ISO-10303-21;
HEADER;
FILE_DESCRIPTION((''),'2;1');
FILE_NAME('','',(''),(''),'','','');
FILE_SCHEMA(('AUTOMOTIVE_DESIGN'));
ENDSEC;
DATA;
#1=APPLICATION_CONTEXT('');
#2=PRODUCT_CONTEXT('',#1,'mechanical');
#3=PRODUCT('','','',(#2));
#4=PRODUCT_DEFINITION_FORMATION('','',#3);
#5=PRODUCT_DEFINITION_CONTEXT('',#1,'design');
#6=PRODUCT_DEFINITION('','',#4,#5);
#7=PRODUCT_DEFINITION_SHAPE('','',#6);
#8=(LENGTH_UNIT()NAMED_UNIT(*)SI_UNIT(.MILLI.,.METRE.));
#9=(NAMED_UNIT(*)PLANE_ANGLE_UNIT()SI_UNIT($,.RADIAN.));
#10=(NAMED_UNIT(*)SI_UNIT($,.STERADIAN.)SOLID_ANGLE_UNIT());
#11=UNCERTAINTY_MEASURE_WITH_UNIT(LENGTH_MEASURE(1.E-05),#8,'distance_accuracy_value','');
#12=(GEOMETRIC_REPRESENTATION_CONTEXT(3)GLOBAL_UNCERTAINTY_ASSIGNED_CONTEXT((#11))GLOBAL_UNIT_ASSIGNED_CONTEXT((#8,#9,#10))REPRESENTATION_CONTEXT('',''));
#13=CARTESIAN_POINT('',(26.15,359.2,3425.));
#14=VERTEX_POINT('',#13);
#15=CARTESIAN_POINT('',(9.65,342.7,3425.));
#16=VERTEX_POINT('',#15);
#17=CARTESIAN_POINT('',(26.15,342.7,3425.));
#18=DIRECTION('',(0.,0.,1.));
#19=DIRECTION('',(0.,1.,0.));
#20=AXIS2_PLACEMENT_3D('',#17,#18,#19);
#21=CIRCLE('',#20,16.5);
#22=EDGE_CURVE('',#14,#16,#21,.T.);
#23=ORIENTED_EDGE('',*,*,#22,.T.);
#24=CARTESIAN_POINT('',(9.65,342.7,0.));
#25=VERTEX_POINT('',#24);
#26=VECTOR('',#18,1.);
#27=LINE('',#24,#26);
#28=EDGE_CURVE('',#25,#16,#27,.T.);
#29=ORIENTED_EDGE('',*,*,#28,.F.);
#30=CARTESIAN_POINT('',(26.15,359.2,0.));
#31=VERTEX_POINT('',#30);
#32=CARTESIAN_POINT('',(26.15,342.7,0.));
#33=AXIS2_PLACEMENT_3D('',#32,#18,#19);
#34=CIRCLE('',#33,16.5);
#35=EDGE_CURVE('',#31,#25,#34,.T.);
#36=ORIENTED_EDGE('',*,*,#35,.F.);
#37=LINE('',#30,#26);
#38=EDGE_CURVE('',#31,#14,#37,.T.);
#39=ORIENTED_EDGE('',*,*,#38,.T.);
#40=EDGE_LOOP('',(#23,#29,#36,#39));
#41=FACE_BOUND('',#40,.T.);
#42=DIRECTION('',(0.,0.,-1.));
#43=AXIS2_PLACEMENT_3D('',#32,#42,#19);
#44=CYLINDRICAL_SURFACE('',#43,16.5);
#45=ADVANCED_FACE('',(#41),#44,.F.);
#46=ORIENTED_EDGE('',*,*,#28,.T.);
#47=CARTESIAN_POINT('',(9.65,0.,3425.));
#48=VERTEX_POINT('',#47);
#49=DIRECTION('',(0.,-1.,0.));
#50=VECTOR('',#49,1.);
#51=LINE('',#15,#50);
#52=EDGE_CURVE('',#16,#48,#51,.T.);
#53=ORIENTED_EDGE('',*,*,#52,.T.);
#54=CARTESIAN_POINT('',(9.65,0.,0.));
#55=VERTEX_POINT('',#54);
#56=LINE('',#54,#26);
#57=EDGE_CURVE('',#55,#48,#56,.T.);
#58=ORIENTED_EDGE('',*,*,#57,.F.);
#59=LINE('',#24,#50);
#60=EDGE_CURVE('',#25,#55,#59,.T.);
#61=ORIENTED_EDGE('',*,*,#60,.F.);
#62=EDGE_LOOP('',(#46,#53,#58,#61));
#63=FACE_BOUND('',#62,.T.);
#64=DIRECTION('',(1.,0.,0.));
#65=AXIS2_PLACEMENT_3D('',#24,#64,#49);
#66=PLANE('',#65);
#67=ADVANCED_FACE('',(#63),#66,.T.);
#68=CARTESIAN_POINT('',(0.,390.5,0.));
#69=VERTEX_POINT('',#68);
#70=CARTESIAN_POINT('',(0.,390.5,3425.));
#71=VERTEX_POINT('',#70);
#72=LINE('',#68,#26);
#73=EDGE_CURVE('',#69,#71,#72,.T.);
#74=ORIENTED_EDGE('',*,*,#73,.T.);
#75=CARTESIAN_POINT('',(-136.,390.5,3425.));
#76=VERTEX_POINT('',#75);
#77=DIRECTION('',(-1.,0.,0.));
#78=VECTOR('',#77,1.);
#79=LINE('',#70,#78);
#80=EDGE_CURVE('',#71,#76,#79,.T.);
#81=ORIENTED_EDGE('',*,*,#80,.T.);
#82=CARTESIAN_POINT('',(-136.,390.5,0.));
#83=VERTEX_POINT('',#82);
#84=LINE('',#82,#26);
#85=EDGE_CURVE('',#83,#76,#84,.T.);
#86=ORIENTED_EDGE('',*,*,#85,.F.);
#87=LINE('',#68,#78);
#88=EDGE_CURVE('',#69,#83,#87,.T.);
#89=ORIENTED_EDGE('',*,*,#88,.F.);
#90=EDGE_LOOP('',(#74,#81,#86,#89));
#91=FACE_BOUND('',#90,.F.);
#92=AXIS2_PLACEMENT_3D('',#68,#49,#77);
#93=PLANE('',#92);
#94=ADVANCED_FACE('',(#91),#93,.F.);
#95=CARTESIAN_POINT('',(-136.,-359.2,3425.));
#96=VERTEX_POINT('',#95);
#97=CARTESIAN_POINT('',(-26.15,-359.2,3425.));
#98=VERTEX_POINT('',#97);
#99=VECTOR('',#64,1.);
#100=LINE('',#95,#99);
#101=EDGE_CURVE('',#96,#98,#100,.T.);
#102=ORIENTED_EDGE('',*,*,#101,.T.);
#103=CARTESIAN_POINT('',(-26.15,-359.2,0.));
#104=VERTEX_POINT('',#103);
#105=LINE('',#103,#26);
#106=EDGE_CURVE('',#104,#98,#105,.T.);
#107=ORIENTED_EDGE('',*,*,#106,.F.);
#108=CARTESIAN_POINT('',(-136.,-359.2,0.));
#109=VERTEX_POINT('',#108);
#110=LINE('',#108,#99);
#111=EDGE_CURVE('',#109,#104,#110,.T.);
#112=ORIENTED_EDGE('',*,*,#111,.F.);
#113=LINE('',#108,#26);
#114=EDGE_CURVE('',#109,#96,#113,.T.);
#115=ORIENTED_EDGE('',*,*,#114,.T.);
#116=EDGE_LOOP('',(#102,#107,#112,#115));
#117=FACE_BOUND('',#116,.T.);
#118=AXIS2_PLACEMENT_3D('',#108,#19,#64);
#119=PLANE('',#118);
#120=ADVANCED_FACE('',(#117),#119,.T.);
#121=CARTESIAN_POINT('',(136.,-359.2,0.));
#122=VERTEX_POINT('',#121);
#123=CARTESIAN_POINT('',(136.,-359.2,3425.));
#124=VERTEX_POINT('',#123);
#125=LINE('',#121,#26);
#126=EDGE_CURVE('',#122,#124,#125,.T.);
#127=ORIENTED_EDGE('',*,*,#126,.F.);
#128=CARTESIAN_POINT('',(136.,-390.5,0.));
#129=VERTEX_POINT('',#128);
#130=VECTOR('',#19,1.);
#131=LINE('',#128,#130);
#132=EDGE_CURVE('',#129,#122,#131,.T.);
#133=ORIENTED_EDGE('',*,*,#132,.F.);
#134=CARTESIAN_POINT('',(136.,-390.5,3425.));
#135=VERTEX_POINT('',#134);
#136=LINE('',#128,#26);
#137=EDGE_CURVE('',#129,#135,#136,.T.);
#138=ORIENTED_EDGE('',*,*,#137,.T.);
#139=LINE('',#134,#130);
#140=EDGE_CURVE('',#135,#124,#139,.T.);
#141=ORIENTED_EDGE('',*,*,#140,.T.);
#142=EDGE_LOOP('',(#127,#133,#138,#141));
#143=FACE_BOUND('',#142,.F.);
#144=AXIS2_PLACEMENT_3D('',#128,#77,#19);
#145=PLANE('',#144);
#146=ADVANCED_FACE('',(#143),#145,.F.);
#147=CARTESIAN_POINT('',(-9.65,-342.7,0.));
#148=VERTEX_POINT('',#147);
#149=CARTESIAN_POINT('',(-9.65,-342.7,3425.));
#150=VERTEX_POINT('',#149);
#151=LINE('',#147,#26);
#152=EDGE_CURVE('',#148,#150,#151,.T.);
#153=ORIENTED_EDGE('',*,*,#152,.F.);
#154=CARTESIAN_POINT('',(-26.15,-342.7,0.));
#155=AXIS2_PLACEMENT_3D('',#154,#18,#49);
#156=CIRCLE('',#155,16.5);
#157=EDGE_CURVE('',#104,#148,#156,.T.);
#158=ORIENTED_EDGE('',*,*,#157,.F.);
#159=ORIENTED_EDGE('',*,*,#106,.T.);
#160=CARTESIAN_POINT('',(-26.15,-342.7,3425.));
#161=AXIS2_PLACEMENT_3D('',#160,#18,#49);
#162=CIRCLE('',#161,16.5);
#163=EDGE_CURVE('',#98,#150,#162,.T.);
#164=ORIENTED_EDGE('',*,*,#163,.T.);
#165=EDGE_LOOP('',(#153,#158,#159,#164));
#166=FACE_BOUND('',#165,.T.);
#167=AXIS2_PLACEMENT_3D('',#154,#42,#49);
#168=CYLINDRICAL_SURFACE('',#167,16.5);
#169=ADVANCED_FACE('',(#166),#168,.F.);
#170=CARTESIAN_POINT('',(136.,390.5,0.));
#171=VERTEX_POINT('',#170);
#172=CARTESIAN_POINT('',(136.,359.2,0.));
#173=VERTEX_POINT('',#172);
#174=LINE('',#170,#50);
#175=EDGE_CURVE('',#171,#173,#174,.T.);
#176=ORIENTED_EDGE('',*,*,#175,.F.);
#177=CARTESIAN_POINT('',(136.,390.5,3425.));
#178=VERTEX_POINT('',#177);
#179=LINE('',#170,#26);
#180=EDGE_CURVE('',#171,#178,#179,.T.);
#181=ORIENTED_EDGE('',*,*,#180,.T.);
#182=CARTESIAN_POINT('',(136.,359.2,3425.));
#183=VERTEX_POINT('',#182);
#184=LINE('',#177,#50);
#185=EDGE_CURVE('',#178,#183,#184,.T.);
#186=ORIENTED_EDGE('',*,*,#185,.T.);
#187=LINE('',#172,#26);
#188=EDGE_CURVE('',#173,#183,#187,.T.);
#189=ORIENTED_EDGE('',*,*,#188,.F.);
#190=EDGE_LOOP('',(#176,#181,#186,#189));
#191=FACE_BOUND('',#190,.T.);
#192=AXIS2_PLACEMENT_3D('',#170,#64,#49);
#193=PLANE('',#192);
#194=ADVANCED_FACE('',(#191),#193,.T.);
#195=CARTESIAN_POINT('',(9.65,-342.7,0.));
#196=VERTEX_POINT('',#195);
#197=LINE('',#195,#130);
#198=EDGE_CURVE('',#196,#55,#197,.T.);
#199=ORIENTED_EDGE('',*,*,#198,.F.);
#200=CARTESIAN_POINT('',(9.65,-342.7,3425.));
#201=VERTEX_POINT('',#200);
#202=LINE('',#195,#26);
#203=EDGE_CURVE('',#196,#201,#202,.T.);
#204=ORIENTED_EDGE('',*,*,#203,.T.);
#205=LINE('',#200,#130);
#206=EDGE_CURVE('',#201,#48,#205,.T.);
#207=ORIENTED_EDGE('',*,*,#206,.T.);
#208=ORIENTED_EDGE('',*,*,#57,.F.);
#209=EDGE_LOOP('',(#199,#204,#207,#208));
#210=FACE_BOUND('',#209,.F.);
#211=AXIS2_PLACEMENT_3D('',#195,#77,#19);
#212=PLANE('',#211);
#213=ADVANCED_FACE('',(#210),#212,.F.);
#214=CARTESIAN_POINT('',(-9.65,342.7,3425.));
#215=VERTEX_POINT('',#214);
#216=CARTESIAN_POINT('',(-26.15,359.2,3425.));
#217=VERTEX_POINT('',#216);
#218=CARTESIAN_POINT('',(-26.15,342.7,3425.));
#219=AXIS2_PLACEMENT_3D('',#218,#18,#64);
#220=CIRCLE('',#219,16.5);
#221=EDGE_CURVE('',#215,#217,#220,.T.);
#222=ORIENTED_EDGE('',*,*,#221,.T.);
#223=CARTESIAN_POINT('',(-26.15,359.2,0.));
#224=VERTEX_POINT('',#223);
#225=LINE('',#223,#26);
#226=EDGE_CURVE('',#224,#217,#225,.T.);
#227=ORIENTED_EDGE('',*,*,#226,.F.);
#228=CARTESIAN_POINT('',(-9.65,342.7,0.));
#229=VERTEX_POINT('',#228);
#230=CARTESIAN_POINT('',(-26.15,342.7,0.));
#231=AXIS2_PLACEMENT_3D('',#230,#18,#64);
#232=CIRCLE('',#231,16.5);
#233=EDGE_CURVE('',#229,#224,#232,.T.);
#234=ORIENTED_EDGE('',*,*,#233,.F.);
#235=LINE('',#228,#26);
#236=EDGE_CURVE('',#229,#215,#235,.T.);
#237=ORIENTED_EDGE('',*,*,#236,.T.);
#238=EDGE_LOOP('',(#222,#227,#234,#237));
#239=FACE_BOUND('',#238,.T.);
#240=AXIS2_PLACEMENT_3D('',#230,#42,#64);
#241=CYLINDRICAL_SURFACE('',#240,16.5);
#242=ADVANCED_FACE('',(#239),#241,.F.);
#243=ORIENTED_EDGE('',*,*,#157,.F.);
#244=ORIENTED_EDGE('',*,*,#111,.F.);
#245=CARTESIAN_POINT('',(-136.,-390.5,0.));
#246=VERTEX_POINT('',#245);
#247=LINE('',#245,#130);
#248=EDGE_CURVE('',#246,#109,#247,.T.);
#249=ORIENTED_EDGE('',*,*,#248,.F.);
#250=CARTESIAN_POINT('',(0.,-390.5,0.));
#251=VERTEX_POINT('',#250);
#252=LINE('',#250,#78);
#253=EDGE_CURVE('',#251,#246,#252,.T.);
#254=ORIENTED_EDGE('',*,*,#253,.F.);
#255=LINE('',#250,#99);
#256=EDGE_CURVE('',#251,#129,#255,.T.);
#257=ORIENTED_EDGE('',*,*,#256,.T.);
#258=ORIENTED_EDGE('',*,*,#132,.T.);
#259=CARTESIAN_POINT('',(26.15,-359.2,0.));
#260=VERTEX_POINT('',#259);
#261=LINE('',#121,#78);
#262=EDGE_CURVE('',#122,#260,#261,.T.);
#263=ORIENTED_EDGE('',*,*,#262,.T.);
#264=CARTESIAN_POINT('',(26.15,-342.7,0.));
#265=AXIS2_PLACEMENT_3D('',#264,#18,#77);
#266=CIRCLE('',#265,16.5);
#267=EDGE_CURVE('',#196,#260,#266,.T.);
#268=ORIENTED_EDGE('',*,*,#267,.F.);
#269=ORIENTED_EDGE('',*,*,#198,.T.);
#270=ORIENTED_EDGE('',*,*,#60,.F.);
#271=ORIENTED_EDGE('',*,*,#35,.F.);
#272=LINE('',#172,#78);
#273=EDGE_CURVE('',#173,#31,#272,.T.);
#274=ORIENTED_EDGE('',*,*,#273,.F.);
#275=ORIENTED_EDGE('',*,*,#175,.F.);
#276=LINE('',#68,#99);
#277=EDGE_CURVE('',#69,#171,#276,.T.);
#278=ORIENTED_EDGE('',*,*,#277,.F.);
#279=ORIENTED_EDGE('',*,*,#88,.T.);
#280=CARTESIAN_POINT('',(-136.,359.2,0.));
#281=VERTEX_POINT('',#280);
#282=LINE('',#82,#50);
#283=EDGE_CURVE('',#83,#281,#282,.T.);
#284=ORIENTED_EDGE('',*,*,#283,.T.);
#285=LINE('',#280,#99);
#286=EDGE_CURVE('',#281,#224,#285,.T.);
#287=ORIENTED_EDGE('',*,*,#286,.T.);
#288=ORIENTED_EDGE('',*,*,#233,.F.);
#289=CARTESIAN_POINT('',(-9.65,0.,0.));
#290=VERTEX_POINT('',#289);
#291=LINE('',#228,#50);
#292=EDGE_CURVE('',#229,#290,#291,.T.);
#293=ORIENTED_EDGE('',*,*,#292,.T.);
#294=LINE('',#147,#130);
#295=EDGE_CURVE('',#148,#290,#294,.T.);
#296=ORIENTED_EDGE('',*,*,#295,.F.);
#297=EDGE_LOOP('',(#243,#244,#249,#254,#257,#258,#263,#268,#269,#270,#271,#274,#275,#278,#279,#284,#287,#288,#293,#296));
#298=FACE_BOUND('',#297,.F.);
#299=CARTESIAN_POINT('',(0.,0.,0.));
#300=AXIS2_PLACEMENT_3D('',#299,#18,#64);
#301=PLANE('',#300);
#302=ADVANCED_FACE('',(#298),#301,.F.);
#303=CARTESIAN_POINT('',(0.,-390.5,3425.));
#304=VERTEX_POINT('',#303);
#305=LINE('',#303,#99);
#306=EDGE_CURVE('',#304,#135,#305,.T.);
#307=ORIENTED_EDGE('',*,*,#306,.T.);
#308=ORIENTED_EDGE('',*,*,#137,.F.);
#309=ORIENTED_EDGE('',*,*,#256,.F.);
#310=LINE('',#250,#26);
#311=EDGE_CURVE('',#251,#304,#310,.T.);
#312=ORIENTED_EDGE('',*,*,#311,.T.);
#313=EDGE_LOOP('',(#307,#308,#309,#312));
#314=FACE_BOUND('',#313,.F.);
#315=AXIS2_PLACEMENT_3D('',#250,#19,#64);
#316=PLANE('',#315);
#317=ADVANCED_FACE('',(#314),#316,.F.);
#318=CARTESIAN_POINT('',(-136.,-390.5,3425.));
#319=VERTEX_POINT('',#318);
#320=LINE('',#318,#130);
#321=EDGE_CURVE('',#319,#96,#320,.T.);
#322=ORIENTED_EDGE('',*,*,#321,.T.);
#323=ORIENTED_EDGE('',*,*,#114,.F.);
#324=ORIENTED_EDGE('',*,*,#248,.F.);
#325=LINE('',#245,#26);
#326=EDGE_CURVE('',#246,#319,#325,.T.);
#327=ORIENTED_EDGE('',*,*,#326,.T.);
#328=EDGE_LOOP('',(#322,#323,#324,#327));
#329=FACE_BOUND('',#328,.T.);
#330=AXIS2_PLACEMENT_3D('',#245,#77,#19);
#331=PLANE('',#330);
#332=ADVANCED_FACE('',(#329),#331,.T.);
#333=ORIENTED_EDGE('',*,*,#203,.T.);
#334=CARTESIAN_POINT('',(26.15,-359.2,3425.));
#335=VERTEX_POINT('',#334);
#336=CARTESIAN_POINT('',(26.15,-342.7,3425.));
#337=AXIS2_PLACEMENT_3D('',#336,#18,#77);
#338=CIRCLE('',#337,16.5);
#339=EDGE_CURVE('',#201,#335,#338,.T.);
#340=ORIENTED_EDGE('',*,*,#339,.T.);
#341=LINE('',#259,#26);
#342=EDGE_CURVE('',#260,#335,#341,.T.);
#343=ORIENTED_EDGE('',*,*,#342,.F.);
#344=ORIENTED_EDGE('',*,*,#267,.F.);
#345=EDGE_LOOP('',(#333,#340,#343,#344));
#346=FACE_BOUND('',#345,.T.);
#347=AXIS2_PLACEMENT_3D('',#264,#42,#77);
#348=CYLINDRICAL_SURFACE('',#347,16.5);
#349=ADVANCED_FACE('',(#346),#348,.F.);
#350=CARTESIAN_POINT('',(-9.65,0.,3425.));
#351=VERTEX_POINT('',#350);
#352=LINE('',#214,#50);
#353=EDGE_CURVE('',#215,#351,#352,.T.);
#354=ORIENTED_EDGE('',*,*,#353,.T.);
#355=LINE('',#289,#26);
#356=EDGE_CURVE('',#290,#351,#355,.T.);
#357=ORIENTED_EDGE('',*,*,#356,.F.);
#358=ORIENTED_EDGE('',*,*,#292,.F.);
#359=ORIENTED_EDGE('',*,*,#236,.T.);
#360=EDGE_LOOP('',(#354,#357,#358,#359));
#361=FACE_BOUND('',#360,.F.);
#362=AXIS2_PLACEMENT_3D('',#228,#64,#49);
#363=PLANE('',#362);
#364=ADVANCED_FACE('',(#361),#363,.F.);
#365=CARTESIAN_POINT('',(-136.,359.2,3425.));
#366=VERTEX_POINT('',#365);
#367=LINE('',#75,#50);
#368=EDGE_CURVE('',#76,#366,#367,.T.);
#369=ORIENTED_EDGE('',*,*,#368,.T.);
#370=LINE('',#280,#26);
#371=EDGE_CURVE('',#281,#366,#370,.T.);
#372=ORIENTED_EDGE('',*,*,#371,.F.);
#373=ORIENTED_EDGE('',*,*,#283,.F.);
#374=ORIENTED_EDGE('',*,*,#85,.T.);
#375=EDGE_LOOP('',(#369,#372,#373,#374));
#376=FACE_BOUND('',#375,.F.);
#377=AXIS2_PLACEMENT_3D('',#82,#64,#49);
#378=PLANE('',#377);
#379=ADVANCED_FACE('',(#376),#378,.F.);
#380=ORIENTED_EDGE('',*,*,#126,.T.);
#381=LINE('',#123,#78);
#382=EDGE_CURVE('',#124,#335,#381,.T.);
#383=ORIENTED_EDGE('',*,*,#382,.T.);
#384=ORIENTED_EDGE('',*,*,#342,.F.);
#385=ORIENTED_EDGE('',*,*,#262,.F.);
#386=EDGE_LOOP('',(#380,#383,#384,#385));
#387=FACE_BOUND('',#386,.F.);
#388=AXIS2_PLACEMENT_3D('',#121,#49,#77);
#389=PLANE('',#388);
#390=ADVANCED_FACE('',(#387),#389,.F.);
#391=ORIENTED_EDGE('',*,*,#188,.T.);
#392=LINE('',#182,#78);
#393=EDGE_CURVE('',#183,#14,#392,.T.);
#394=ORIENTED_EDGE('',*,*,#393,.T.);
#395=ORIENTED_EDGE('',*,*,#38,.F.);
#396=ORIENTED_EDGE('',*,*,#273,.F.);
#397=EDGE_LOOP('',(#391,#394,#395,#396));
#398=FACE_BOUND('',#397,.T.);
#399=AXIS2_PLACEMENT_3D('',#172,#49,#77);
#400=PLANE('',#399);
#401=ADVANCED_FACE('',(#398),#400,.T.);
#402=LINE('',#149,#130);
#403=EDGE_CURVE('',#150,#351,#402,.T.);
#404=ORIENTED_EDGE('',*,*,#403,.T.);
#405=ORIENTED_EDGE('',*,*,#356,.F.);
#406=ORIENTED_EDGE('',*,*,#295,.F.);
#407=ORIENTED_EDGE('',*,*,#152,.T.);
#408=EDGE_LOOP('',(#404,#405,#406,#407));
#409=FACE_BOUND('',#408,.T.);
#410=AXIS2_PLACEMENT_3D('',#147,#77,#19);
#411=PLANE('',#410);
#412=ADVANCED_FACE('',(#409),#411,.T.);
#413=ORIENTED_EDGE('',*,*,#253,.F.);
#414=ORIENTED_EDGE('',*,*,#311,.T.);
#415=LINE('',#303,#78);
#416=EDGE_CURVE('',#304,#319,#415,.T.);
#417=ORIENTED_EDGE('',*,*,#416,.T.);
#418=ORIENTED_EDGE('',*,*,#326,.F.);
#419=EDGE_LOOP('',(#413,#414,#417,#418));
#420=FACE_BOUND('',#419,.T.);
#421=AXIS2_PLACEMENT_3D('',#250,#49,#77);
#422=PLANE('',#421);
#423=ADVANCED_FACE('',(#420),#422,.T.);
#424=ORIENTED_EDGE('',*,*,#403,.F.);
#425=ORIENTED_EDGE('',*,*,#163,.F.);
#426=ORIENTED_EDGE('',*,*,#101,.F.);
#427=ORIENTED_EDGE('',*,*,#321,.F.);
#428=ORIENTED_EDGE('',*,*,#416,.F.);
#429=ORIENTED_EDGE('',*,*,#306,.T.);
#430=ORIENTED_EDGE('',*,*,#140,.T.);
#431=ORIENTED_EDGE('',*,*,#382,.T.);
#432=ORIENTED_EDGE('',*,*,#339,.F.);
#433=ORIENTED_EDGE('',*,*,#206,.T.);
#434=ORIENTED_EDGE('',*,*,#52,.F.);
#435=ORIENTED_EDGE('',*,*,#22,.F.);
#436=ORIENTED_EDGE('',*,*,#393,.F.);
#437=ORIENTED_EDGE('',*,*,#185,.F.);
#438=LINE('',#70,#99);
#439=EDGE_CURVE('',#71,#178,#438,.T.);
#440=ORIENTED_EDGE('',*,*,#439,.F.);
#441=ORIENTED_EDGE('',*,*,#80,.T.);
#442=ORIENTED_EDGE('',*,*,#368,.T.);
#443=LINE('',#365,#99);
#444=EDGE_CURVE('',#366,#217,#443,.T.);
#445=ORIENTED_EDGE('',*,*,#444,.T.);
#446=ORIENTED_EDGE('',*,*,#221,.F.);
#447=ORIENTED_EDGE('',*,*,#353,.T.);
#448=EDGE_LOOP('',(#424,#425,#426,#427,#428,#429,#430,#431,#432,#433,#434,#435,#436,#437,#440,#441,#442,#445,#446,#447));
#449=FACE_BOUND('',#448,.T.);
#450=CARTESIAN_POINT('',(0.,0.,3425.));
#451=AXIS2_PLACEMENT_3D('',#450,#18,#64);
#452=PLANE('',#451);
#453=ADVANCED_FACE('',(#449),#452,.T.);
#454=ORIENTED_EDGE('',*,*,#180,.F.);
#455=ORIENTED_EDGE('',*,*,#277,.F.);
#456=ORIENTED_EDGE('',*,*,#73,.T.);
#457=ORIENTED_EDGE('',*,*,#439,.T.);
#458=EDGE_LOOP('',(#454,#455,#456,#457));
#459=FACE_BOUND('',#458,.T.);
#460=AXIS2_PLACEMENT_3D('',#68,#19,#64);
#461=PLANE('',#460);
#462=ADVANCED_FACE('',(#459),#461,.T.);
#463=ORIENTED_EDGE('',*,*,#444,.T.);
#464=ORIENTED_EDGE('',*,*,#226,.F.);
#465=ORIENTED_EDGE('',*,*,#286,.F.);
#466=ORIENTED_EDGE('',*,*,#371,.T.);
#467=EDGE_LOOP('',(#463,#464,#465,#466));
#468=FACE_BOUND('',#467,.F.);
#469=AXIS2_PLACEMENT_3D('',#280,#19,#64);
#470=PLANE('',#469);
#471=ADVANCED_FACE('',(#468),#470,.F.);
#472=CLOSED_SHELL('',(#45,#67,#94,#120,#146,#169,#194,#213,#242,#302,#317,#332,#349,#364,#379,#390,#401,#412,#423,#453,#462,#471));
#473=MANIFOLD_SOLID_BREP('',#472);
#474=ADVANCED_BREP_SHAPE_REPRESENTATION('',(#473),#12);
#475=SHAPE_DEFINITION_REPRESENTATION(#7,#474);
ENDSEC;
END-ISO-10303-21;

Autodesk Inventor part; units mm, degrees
ref_plane "YZ Plane" through (0, 0, 0) normal (1, 0, 0) x (0, 1, 0)
ref_plane "Start plane" through (0, 0, 0) normal (0, 0, 1) x (1, 0, 0)
ref_plane "End plane" through (0, 0, 3425) normal (0, 0, 1) x (1, 0, 0)
sketch "Sketch" plane through (0, 0, 0) normal (0, 0, 1) x (1, 0, 0)
  line L0 (-136, -390.5) -> (-136, -359.2)
  line L1 (-136, -359.2) -> (-26.15, -359.2)
  line L2 (-9.65, -342.7) -> (-9.65, 0)
  line L3 (-9.65, 0) -> (0, 0) construction
  line L4 (0, 0) -> (0, -390.5) construction
  line L5 (0, -390.5) -> (-136, -390.5)
  line L6 (-60, 0) -> (80, 0) construction
  line L7 (0, -60) -> (0, 80) construction
  line L8 (136, -390.5) -> (136, -359.2)
  line L9 (136, -359.2) -> (26.15, -359.2)
  line L10 (9.65, -342.7) -> (9.65, 0)
  line L11 (9.65, 0) -> (0, 0) construction
  line L12 (0, -390.5) -> (136, -390.5)
  line L13 (-136, 390.5) -> (-136, 359.2)
  line L14 (-136, 359.2) -> (-26.15, 359.2)
  line L15 (-9.65, 342.7) -> (-9.65, 0)
  line L16 (0, 390.5) -> (-136, 390.5)
  line L17 (136, 390.5) -> (136, 359.2)
  line L18 (136, 359.2) -> (26.15, 359.2)
  line L19 (0, 390.5) -> (136, 390.5)
  line L20 (9.65, 342.7) -> (9.65, 0)
  arc A0 (-9.65, 342.7) -> (-26.15, 359.2) centre (-26.15, 342.7) ccw
  arc A1 (26.15, 359.2) -> (9.65, 342.7) centre (26.15, 342.7) ccw
  arc A2 (9.65, -342.7) -> (26.15, -359.2) centre (26.15, -342.7) ccw
  arc A3 (-26.15, -359.2) -> (-9.65, -342.7) centre (-26.15, -342.7) ccw
  line L21 (0, 108) -> (0, -88) construction
  line L22 (-88, 0) -> (108, 0) construction
  point P0 (-9.65, -359.2)
  point P1 (9.65, -359.2)
  point P2 (-9.65, 359.2)
  point P3 (9.65, 359.2)
  dimension "d1" = 390.5
  dimension "d2" = 31.3
  dimension "d3" = 136
  dimension "d4" = 9.65
  dimension "d10" = 16.5
extrude "Body" add sketch "Sketch" along normal up to surface (3425 mm away) from surface at 0
sketch "Sketch4" plane through (0, 0, 0) normal (0, 0, 1) x (1, 0, 0)
  line L0 (0, 0) -> (10, 0)
ref_plane "Work Plane3" through (0, 0, 0) normal (0, -1, 0) x (1, 0, 0)
sketch "Sketch5" plane through (0, 0, 0) normal (0, -1, 0) x (1, 0, 0)
  line L0 (-2, 0) -> (12, 0) projected
  line L1 (-2, 3425) -> (12, 3425) projected
  dimension "d14" = 3425
equation "\"d1\" = 0.5 * G_H"
equation "\"d2\" = G_T1"
equation "\"d3\" = 0.5 * G_W"
equation "\"d4\" = 0.5 * G_T"
equation "\"d10\" = G_IR"
equation "\"d5\" = G_L"
equation "\"G_W\" = 272"
equation "\"G_H\" = 781"
equation "\"G_T\" = 19.3"
equation "\"G_T1\" = 31.3"
equation "\"G_IR\" = 16.5"
equation "\"G_L\" = d14"
equation "\"G_OFFSET_START\" = 0"
equation "\"G_OFFSET_END\" = 0"
equation "\"d12\" = G_OFFSET_END + B_L"
equation "\"B_L\" = 3425"
properties part number "AS 3679-1990 - 760 UB - 244 - 3425" material "Steel, Mild"
